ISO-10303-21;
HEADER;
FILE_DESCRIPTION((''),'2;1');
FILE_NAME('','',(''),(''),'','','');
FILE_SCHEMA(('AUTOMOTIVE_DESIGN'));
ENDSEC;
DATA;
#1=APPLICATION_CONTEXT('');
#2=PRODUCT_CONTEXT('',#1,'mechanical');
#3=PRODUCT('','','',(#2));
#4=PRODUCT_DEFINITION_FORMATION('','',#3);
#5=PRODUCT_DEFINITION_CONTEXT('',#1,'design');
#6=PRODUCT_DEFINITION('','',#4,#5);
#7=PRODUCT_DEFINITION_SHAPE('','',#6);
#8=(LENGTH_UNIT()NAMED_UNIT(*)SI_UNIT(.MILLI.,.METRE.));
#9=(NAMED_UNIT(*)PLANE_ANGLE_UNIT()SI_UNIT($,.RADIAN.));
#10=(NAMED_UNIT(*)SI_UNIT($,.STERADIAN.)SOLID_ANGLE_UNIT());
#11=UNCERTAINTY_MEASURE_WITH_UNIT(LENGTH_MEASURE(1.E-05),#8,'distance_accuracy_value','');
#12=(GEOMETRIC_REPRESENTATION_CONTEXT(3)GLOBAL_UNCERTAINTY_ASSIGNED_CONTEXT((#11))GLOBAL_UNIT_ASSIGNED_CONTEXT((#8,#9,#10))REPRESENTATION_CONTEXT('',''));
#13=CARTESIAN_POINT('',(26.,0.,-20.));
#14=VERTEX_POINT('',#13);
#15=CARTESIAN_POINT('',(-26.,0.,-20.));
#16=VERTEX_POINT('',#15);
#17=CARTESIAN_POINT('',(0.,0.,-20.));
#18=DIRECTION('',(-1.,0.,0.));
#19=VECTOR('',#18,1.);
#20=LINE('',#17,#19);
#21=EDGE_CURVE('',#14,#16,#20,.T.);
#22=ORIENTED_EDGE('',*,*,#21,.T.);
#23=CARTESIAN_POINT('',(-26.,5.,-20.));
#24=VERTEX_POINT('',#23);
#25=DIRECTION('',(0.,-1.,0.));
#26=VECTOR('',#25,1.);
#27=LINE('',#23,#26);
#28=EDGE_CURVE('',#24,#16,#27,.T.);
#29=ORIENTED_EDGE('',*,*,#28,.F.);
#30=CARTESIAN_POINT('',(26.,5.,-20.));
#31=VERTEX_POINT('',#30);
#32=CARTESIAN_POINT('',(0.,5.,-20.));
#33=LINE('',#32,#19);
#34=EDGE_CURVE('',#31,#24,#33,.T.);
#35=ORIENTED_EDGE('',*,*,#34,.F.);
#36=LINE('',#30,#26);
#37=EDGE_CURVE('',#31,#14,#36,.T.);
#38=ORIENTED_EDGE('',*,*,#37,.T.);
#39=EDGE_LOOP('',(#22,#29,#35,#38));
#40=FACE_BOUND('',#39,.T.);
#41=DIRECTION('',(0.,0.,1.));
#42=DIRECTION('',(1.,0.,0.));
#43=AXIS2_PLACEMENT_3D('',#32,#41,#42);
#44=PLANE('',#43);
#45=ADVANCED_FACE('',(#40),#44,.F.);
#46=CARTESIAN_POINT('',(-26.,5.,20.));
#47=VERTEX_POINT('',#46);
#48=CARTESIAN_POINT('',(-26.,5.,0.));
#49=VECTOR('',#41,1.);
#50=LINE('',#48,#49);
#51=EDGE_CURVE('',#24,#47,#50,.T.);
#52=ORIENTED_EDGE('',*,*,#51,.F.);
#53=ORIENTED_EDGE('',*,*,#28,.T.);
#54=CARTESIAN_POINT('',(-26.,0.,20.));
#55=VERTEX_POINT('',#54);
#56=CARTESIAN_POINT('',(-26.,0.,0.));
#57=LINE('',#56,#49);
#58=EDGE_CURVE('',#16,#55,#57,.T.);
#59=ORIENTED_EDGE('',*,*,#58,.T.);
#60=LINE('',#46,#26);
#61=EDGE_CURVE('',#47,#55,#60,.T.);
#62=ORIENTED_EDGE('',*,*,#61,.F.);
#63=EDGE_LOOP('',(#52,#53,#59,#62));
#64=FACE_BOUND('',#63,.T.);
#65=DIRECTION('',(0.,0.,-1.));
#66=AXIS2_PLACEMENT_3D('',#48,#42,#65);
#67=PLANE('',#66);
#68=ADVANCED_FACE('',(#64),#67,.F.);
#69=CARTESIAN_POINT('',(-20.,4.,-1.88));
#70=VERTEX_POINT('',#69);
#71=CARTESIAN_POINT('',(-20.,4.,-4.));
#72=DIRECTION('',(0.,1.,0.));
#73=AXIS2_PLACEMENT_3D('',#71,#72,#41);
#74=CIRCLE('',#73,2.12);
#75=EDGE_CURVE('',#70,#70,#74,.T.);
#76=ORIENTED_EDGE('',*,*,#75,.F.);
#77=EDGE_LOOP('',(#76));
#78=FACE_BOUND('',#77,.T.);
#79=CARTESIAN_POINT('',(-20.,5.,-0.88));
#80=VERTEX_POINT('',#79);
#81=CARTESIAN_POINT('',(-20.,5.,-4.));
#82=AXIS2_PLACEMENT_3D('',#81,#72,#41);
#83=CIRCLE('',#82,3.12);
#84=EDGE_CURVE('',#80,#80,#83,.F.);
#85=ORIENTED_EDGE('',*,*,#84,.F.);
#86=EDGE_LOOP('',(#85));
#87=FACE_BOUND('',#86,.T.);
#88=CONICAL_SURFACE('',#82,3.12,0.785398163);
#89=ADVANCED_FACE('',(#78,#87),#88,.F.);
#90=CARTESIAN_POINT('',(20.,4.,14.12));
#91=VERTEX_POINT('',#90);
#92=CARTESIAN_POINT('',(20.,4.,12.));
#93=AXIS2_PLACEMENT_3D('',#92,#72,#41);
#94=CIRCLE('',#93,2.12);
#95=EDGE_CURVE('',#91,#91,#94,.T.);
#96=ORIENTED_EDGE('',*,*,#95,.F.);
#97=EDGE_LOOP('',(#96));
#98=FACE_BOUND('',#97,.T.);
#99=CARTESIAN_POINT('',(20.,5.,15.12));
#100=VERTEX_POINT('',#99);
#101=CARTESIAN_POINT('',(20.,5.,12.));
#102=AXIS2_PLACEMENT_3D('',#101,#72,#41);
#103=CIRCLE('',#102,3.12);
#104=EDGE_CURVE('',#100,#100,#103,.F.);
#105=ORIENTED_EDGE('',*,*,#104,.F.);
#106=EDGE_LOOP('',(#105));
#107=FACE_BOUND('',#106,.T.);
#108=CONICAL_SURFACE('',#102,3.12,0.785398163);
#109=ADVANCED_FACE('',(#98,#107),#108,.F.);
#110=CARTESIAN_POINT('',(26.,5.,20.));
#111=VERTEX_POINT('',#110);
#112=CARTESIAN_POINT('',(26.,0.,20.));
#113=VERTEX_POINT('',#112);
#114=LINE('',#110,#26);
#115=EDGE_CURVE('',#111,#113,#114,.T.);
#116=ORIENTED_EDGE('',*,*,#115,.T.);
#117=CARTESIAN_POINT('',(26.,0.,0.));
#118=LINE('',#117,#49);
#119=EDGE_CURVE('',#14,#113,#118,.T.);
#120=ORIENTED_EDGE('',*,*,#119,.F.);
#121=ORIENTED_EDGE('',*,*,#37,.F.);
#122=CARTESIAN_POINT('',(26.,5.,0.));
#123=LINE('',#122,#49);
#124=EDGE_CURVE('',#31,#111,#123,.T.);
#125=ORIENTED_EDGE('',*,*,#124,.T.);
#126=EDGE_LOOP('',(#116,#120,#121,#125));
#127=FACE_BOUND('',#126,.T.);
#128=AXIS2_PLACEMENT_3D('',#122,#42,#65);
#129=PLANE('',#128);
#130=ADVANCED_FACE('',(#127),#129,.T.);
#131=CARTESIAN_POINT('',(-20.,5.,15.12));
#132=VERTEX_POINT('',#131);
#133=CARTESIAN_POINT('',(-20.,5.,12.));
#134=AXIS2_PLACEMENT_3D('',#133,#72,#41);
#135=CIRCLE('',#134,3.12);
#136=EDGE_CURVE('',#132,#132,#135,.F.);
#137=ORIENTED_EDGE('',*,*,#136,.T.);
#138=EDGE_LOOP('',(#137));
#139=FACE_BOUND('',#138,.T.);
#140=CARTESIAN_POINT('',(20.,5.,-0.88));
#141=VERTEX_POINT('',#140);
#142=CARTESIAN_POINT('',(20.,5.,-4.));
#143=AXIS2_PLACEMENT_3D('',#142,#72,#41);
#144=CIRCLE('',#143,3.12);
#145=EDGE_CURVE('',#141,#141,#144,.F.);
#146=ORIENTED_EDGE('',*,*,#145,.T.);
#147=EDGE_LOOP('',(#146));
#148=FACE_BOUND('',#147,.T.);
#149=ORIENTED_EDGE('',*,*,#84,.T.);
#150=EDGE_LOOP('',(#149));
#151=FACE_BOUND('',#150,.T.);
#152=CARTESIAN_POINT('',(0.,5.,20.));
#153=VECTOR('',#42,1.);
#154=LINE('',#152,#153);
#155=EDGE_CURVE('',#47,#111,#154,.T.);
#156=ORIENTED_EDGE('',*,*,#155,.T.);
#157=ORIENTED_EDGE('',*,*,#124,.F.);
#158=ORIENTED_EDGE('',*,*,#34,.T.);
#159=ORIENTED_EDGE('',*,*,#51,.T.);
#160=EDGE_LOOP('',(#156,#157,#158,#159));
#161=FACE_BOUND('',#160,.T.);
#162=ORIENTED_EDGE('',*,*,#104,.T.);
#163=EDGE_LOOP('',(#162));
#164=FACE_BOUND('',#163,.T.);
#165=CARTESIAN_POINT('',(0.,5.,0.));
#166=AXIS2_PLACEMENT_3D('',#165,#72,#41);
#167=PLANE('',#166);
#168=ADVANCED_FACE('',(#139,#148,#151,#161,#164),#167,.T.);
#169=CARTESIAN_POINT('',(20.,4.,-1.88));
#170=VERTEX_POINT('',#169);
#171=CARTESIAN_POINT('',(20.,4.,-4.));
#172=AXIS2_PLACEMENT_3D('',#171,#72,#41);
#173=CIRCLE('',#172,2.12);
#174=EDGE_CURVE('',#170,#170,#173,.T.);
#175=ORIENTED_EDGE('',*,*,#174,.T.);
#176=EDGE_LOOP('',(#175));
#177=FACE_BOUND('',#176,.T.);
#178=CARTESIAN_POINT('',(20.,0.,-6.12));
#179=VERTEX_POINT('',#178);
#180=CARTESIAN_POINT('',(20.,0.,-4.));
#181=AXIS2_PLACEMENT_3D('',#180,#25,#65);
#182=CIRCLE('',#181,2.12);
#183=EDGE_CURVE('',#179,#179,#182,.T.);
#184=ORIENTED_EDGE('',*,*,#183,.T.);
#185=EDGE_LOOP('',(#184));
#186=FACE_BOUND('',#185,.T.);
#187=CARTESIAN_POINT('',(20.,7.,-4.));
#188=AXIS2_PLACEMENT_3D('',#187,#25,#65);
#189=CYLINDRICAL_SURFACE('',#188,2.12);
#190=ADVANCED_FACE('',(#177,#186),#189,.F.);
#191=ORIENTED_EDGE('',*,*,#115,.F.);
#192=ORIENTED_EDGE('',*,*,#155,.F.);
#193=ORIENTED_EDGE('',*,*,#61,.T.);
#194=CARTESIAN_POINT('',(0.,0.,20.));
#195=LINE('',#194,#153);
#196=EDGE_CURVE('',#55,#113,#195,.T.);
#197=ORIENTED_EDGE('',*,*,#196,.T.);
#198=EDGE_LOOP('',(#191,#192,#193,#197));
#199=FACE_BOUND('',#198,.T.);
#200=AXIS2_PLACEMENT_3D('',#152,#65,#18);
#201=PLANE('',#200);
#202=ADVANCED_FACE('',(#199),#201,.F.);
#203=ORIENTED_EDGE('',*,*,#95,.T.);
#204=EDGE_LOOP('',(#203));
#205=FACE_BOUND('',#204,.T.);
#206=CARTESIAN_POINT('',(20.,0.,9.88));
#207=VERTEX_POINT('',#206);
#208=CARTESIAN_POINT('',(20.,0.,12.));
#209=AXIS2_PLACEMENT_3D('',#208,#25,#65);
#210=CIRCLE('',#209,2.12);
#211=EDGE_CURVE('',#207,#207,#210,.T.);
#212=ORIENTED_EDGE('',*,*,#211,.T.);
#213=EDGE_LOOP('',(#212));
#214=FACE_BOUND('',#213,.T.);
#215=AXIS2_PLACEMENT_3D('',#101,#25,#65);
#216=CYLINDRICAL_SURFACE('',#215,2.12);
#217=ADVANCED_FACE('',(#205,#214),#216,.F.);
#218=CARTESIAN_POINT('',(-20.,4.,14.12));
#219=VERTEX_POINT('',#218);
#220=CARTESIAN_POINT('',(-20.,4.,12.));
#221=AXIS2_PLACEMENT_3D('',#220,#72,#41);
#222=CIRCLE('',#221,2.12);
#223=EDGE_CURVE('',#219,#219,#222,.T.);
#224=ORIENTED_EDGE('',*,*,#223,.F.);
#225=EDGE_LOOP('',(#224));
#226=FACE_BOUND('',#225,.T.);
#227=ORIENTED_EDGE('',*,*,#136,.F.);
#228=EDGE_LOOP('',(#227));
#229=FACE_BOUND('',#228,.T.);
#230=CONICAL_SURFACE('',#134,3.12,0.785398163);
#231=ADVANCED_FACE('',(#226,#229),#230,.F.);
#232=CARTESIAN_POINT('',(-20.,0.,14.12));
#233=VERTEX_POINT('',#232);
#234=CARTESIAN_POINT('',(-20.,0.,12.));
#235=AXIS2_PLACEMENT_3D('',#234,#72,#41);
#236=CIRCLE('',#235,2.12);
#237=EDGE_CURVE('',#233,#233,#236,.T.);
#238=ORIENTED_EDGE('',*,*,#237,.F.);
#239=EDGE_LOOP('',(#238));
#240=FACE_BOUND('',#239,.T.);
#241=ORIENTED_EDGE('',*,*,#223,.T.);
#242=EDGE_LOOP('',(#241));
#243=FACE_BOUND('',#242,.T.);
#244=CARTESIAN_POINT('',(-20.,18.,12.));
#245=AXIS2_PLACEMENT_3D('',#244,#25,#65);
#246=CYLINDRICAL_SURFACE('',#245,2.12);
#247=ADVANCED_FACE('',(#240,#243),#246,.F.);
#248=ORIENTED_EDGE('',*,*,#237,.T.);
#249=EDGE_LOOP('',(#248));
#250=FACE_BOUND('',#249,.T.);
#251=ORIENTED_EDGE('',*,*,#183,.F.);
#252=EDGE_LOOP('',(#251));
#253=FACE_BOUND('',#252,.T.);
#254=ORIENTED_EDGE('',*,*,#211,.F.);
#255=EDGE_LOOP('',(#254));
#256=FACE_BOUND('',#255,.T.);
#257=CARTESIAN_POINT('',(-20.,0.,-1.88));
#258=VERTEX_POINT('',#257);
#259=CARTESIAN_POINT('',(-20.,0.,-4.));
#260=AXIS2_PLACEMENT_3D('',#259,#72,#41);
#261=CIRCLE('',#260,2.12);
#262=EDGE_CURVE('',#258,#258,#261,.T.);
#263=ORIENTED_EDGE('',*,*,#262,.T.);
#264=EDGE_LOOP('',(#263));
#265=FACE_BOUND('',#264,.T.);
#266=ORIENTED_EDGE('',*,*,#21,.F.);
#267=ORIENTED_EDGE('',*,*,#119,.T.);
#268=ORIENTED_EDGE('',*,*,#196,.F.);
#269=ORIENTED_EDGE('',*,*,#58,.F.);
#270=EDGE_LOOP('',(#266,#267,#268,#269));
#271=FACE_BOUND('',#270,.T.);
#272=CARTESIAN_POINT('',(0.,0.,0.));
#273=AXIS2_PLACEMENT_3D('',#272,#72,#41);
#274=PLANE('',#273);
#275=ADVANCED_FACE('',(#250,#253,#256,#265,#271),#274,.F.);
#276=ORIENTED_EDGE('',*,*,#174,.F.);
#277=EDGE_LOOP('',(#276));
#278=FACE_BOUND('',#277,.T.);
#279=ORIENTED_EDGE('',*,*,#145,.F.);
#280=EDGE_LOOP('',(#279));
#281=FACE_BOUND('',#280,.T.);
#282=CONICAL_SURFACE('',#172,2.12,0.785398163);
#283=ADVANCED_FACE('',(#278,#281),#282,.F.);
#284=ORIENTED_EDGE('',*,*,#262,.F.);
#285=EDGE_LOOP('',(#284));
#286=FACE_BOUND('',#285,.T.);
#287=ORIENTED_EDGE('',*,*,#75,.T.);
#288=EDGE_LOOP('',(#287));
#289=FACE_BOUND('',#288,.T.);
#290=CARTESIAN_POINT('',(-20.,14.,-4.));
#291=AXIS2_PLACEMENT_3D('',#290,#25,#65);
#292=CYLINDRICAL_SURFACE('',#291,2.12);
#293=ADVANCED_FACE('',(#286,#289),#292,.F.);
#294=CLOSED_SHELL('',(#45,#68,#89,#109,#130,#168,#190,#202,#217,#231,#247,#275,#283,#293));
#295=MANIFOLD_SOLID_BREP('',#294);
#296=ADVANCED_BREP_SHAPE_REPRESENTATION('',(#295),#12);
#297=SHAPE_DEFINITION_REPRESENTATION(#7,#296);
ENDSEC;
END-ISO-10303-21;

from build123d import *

# Parameters (mm, degrees)
SKETCH1_W            = 52
SKETCH1_H            = 40
SKETCH1_R            = 2.75
BOSS_EXTRUDE10_DEPTH = 5
SKETCH1_21_R         = 2.75
BOSS_EXTRUDE13_DEPTH = 5
SKETCH1_22_R         = 2.12
CUT_EXTRUDE4_DEPTH   = 7
CHAMFER1_SIZE        = 1
SKETCH1_23_R         = 2.75
BOSS_EXTRUDE14_DEPTH = 5
SKETCH1_24_R         = 2.12
CUT_EXTRUDE6_DEPTH   = 5
SKETCH1_25_R         = 2.75
BOSS_EXTRUDE15_DEPTH = 5
SKETCH1_26_R         = 2.12
CUT_EXTRUDE7_DEPTH   = 18
SKETCH1_29_R         = 2.75
BOSS_EXTRUDE17_DEPTH = 5
SKETCH1_30_R         = 2.12
CUT_EXTRUDE9_DEPTH   = 14
CHAMFER3_SIZE        = 1
CHAMFER4_SIZE        = 1
CHAMFER5_SIZE        = 1


with BuildPart() as part:
    # Sketch1 → Boss-Extrude10 (new body)
    with BuildSketch(Plane(origin=(0, 0, 0), x_dir=(1, 0, 0), z_dir=(0, 1, 0))):
        Rectangle(SKETCH1_W, SKETCH1_H)
        with Locations((-20, -12)):
            Circle(SKETCH1_R, mode=Mode.SUBTRACT)
        with Locations((20, -12)):
            Circle(SKETCH1_R, mode=Mode.SUBTRACT)
        with Locations((-20, 4)):
            Circle(SKETCH1_R, mode=Mode.SUBTRACT)
        with Locations((20, 4)):
            Circle(SKETCH1_R, mode=Mode.SUBTRACT)
    extrude(amount=BOSS_EXTRUDE10_DEPTH)

    # Sketch1<21> → Boss-Extrude13 (add)
    with BuildSketch(Plane(origin=(0, 0, 0), x_dir=(1, 0, 0), z_dir=(0, 1, 0))):
        with Locations((20, 4)):
            Circle(SKETCH1_21_R)
    extrude(amount=BOSS_EXTRUDE13_DEPTH)

    # Sketch1<22> → Cut-Extrude4 (cut)
    with BuildSketch(Plane(origin=(0, 0, 0), x_dir=(1, 0, 0), z_dir=(0, 1, 0))):
        with Locations((20, 4)):
            Circle(SKETCH1_22_R)
    extrude(amount=CUT_EXTRUDE4_DEPTH, mode=Mode.SUBTRACT)

    # Chamfer1
    chamfer1_edges = [part.edges().sort_by_distance(p)[0] for p in [
        (17.88, 5, -4),
    ]]
    chamfer(chamfer1_edges, length=CHAMFER1_SIZE)

    # Sketch1<23> → Boss-Extrude14 (add)
    with BuildSketch(Plane(origin=(0, 0, 0), x_dir=(1, 0, 0), z_dir=(0, 1, 0))):
        with Locations((20, -12)):
            Circle(SKETCH1_23_R)
    extrude(amount=BOSS_EXTRUDE14_DEPTH)

    # Sketch1<24> → Cut-Extrude6 (cut)
    with BuildSketch(Plane(origin=(0, 0, 0), x_dir=(1, 0, 0), z_dir=(0, 1, 0))):
        with Locations((20, -12)):
            Circle(SKETCH1_24_R)
    extrude(amount=CUT_EXTRUDE6_DEPTH, mode=Mode.SUBTRACT)

    # Sketch1<25> → Boss-Extrude15 (add)
    with BuildSketch(Plane(origin=(0, 0, 0), x_dir=(1, 0, 0), z_dir=(0, 1, 0))):
        with Locations((-20, -12)):
            Circle(SKETCH1_25_R)
    extrude(amount=BOSS_EXTRUDE15_DEPTH)

    # Sketch1<26> → Cut-Extrude7 (cut)
    with BuildSketch(Plane(origin=(0, 0, 0), x_dir=(1, 0, 0), z_dir=(0, 1, 0))):
        with Locations((-20, -12)):
            Circle(SKETCH1_26_R)
    extrude(amount=CUT_EXTRUDE7_DEPTH, mode=Mode.SUBTRACT)

    # Sketch1<29> → Boss-Extrude17 (add)
    with BuildSketch(Plane(origin=(0, 0, 0), x_dir=(1, 0, 0), z_dir=(0, 1, 0))):
        with Locations((-20, 4)):
            Circle(SKETCH1_29_R)
    extrude(amount=BOSS_EXTRUDE17_DEPTH)

    # Sketch1<30> → Cut-Extrude9 (cut)
    with BuildSketch(Plane(origin=(0, 0, 0), x_dir=(1, 0, 0), z_dir=(0, 1, 0))):
        with Locations((-20, 4)):
            Circle(SKETCH1_30_R)
    extrude(amount=CUT_EXTRUDE9_DEPTH, mode=Mode.SUBTRACT)

    # Chamfer3
    chamfer3_edges = [part.edges().sort_by_distance(p)[0] for p in [
        (-22.12, 5, -4),
    ]]
    chamfer(chamfer3_edges, length=CHAMFER3_SIZE)

    # Chamfer4
    chamfer4_edges = [part.edges().sort_by_distance(p)[0] for p in [
        (-22.12, 5, 12),
    ]]
    chamfer(chamfer4_edges, length=CHAMFER4_SIZE)

    # Chamfer5
    chamfer5_edges = [part.edges().sort_by_distance(p)[0] for p in [
        (17.88, 5, 12),
    ]]
    chamfer(chamfer5_edges, length=CHAMFER5_SIZE)


solid = part.part
